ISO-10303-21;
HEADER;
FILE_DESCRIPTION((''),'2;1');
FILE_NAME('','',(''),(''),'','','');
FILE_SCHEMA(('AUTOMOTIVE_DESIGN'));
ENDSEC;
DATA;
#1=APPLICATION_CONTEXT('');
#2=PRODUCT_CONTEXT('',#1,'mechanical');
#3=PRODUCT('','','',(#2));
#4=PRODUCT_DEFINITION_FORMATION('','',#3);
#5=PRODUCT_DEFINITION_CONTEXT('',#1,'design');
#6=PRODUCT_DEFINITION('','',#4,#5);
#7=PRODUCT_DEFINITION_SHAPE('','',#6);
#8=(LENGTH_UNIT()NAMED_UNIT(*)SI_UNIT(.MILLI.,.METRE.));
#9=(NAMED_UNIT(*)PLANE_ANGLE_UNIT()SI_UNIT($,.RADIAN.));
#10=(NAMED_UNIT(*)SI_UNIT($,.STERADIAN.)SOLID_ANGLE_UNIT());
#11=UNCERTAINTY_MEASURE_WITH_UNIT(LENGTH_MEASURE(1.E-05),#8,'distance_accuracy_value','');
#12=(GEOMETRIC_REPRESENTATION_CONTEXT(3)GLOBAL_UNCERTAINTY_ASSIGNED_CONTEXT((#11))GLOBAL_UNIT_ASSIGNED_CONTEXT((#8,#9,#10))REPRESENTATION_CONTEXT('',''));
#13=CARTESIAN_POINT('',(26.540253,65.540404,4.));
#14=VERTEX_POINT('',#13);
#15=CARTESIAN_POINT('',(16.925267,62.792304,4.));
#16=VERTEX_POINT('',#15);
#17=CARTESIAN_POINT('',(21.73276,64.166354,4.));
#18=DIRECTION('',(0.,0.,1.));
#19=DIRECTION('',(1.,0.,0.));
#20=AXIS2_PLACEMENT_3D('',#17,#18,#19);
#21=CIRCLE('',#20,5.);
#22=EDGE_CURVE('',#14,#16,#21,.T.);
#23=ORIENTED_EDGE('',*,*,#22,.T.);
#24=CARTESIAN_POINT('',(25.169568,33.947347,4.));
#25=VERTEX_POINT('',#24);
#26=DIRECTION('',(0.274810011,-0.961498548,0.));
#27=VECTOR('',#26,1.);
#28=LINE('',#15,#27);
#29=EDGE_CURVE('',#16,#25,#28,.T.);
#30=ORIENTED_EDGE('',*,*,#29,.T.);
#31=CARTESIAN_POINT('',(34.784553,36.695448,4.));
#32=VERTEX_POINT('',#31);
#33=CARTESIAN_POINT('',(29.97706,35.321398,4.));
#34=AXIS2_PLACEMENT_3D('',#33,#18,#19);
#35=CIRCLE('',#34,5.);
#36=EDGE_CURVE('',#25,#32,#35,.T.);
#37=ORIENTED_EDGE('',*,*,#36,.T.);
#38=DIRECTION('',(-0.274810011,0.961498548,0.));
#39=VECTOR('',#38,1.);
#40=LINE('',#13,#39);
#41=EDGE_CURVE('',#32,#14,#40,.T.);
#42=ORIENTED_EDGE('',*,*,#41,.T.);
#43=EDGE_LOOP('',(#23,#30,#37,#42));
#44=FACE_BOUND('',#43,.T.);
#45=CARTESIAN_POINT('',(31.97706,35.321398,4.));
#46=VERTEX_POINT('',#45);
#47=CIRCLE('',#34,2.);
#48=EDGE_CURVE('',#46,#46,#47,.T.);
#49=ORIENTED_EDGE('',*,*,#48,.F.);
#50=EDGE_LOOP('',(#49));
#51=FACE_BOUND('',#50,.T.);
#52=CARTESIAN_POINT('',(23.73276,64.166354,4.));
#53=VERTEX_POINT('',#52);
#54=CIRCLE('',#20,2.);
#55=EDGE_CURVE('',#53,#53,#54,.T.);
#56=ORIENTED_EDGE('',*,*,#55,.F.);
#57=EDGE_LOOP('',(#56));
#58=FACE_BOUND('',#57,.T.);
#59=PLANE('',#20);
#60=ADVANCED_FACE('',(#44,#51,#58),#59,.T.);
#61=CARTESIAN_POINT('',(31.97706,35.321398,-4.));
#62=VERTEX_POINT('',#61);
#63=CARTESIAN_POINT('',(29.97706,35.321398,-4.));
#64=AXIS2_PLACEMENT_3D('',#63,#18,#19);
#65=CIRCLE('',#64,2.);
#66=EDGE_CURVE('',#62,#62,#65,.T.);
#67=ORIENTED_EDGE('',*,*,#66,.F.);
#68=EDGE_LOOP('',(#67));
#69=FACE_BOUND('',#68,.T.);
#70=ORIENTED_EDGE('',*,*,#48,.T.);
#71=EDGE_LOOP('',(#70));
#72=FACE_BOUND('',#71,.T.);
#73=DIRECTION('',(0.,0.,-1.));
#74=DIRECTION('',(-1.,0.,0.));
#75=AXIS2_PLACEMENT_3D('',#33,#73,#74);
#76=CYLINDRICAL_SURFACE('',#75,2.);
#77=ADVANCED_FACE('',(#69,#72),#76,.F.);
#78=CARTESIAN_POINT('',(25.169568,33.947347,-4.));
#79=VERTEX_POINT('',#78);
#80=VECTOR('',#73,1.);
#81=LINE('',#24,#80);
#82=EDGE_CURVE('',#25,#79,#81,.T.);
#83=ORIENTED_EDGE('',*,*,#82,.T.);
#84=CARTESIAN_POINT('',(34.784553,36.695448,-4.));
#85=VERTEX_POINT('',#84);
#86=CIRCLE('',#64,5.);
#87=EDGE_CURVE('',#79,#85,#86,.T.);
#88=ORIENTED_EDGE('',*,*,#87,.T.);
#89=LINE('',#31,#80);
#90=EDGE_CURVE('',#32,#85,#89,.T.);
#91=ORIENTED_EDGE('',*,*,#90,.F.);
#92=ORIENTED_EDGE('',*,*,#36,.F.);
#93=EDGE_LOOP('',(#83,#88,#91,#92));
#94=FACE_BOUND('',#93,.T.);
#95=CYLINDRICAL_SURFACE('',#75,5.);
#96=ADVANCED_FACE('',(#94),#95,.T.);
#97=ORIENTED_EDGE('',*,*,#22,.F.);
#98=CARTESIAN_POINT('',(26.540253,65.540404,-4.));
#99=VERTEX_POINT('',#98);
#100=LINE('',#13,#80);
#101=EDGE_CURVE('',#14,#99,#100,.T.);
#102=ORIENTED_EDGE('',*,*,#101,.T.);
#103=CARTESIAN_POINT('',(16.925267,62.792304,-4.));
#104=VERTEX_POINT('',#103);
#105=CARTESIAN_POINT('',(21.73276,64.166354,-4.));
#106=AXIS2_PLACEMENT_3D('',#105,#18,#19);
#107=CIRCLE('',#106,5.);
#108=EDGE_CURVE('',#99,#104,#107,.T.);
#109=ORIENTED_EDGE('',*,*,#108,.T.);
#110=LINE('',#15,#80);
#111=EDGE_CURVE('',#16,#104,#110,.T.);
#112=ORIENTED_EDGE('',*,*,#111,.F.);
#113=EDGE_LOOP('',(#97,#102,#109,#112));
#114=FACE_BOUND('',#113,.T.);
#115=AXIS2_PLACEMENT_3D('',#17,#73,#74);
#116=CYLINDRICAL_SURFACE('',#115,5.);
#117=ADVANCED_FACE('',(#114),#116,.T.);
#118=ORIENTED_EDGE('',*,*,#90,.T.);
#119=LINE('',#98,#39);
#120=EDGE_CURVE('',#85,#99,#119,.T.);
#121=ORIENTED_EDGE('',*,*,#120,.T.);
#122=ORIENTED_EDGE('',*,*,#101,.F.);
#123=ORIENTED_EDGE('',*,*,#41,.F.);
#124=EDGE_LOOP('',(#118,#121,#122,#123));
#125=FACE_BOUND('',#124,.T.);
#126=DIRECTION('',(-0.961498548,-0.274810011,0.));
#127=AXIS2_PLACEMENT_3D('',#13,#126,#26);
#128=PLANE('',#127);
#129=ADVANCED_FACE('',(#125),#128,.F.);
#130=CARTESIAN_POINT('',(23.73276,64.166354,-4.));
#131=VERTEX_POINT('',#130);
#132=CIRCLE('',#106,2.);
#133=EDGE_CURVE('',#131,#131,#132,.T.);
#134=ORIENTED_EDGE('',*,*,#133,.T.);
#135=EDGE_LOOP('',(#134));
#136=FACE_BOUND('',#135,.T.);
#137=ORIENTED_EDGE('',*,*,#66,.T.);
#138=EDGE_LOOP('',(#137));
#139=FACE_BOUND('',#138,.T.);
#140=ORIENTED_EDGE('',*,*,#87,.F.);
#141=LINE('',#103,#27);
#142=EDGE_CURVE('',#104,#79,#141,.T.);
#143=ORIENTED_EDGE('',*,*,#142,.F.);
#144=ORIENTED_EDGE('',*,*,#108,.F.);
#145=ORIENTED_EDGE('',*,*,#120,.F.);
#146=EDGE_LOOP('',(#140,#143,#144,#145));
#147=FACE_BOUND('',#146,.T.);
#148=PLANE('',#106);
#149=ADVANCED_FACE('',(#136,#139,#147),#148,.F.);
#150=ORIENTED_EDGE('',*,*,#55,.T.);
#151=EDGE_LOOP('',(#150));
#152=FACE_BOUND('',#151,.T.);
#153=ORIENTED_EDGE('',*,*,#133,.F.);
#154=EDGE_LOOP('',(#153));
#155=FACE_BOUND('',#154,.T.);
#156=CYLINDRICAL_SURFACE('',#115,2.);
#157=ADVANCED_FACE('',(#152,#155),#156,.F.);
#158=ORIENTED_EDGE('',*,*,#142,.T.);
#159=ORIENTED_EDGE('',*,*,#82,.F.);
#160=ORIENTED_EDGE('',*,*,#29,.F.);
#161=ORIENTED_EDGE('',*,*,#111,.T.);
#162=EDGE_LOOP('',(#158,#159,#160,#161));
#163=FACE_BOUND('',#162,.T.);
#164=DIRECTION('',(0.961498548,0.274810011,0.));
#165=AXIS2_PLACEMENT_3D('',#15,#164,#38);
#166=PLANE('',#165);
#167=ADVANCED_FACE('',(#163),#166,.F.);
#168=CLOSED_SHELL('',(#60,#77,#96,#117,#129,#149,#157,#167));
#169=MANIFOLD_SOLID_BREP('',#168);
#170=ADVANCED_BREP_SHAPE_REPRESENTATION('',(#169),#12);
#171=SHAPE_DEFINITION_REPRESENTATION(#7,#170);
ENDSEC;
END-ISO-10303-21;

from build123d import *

# Parameters (mm, degrees)
SKETCH_1_R      = 2
EXTRUDE_1_DEPTH = 4


with BuildPart() as part:
    # 草图1 → 凸台-拉伸1 (new, symmetric)
    with BuildSketch(Plane.XY):
        with BuildLine():
            Line((26.540252696, 65.540404046), (34.784553035, 36.695447608))
            ThreePointArc((34.784553035, 36.695447608), (31.351110352, 30.513904812), (25.169567556, 33.947347495))
            Line((25.169567556, 33.947347495), (16.925267217, 62.792303933))
            ThreePointArc((16.925267217, 62.792303933), (20.3587099, 68.97384673), (26.540252696, 65.540404046))
        make_face()
        with Locations((21.732759957, 64.16635399)):
            Circle(SKETCH_1_R, mode=Mode.SUBTRACT)
        with Locations((29.977060295, 35.321397552)):
            Circle(SKETCH_1_R, mode=Mode.SUBTRACT)
    extrude(amount=EXTRUDE_1_DEPTH, both=True)


solid = part.part
